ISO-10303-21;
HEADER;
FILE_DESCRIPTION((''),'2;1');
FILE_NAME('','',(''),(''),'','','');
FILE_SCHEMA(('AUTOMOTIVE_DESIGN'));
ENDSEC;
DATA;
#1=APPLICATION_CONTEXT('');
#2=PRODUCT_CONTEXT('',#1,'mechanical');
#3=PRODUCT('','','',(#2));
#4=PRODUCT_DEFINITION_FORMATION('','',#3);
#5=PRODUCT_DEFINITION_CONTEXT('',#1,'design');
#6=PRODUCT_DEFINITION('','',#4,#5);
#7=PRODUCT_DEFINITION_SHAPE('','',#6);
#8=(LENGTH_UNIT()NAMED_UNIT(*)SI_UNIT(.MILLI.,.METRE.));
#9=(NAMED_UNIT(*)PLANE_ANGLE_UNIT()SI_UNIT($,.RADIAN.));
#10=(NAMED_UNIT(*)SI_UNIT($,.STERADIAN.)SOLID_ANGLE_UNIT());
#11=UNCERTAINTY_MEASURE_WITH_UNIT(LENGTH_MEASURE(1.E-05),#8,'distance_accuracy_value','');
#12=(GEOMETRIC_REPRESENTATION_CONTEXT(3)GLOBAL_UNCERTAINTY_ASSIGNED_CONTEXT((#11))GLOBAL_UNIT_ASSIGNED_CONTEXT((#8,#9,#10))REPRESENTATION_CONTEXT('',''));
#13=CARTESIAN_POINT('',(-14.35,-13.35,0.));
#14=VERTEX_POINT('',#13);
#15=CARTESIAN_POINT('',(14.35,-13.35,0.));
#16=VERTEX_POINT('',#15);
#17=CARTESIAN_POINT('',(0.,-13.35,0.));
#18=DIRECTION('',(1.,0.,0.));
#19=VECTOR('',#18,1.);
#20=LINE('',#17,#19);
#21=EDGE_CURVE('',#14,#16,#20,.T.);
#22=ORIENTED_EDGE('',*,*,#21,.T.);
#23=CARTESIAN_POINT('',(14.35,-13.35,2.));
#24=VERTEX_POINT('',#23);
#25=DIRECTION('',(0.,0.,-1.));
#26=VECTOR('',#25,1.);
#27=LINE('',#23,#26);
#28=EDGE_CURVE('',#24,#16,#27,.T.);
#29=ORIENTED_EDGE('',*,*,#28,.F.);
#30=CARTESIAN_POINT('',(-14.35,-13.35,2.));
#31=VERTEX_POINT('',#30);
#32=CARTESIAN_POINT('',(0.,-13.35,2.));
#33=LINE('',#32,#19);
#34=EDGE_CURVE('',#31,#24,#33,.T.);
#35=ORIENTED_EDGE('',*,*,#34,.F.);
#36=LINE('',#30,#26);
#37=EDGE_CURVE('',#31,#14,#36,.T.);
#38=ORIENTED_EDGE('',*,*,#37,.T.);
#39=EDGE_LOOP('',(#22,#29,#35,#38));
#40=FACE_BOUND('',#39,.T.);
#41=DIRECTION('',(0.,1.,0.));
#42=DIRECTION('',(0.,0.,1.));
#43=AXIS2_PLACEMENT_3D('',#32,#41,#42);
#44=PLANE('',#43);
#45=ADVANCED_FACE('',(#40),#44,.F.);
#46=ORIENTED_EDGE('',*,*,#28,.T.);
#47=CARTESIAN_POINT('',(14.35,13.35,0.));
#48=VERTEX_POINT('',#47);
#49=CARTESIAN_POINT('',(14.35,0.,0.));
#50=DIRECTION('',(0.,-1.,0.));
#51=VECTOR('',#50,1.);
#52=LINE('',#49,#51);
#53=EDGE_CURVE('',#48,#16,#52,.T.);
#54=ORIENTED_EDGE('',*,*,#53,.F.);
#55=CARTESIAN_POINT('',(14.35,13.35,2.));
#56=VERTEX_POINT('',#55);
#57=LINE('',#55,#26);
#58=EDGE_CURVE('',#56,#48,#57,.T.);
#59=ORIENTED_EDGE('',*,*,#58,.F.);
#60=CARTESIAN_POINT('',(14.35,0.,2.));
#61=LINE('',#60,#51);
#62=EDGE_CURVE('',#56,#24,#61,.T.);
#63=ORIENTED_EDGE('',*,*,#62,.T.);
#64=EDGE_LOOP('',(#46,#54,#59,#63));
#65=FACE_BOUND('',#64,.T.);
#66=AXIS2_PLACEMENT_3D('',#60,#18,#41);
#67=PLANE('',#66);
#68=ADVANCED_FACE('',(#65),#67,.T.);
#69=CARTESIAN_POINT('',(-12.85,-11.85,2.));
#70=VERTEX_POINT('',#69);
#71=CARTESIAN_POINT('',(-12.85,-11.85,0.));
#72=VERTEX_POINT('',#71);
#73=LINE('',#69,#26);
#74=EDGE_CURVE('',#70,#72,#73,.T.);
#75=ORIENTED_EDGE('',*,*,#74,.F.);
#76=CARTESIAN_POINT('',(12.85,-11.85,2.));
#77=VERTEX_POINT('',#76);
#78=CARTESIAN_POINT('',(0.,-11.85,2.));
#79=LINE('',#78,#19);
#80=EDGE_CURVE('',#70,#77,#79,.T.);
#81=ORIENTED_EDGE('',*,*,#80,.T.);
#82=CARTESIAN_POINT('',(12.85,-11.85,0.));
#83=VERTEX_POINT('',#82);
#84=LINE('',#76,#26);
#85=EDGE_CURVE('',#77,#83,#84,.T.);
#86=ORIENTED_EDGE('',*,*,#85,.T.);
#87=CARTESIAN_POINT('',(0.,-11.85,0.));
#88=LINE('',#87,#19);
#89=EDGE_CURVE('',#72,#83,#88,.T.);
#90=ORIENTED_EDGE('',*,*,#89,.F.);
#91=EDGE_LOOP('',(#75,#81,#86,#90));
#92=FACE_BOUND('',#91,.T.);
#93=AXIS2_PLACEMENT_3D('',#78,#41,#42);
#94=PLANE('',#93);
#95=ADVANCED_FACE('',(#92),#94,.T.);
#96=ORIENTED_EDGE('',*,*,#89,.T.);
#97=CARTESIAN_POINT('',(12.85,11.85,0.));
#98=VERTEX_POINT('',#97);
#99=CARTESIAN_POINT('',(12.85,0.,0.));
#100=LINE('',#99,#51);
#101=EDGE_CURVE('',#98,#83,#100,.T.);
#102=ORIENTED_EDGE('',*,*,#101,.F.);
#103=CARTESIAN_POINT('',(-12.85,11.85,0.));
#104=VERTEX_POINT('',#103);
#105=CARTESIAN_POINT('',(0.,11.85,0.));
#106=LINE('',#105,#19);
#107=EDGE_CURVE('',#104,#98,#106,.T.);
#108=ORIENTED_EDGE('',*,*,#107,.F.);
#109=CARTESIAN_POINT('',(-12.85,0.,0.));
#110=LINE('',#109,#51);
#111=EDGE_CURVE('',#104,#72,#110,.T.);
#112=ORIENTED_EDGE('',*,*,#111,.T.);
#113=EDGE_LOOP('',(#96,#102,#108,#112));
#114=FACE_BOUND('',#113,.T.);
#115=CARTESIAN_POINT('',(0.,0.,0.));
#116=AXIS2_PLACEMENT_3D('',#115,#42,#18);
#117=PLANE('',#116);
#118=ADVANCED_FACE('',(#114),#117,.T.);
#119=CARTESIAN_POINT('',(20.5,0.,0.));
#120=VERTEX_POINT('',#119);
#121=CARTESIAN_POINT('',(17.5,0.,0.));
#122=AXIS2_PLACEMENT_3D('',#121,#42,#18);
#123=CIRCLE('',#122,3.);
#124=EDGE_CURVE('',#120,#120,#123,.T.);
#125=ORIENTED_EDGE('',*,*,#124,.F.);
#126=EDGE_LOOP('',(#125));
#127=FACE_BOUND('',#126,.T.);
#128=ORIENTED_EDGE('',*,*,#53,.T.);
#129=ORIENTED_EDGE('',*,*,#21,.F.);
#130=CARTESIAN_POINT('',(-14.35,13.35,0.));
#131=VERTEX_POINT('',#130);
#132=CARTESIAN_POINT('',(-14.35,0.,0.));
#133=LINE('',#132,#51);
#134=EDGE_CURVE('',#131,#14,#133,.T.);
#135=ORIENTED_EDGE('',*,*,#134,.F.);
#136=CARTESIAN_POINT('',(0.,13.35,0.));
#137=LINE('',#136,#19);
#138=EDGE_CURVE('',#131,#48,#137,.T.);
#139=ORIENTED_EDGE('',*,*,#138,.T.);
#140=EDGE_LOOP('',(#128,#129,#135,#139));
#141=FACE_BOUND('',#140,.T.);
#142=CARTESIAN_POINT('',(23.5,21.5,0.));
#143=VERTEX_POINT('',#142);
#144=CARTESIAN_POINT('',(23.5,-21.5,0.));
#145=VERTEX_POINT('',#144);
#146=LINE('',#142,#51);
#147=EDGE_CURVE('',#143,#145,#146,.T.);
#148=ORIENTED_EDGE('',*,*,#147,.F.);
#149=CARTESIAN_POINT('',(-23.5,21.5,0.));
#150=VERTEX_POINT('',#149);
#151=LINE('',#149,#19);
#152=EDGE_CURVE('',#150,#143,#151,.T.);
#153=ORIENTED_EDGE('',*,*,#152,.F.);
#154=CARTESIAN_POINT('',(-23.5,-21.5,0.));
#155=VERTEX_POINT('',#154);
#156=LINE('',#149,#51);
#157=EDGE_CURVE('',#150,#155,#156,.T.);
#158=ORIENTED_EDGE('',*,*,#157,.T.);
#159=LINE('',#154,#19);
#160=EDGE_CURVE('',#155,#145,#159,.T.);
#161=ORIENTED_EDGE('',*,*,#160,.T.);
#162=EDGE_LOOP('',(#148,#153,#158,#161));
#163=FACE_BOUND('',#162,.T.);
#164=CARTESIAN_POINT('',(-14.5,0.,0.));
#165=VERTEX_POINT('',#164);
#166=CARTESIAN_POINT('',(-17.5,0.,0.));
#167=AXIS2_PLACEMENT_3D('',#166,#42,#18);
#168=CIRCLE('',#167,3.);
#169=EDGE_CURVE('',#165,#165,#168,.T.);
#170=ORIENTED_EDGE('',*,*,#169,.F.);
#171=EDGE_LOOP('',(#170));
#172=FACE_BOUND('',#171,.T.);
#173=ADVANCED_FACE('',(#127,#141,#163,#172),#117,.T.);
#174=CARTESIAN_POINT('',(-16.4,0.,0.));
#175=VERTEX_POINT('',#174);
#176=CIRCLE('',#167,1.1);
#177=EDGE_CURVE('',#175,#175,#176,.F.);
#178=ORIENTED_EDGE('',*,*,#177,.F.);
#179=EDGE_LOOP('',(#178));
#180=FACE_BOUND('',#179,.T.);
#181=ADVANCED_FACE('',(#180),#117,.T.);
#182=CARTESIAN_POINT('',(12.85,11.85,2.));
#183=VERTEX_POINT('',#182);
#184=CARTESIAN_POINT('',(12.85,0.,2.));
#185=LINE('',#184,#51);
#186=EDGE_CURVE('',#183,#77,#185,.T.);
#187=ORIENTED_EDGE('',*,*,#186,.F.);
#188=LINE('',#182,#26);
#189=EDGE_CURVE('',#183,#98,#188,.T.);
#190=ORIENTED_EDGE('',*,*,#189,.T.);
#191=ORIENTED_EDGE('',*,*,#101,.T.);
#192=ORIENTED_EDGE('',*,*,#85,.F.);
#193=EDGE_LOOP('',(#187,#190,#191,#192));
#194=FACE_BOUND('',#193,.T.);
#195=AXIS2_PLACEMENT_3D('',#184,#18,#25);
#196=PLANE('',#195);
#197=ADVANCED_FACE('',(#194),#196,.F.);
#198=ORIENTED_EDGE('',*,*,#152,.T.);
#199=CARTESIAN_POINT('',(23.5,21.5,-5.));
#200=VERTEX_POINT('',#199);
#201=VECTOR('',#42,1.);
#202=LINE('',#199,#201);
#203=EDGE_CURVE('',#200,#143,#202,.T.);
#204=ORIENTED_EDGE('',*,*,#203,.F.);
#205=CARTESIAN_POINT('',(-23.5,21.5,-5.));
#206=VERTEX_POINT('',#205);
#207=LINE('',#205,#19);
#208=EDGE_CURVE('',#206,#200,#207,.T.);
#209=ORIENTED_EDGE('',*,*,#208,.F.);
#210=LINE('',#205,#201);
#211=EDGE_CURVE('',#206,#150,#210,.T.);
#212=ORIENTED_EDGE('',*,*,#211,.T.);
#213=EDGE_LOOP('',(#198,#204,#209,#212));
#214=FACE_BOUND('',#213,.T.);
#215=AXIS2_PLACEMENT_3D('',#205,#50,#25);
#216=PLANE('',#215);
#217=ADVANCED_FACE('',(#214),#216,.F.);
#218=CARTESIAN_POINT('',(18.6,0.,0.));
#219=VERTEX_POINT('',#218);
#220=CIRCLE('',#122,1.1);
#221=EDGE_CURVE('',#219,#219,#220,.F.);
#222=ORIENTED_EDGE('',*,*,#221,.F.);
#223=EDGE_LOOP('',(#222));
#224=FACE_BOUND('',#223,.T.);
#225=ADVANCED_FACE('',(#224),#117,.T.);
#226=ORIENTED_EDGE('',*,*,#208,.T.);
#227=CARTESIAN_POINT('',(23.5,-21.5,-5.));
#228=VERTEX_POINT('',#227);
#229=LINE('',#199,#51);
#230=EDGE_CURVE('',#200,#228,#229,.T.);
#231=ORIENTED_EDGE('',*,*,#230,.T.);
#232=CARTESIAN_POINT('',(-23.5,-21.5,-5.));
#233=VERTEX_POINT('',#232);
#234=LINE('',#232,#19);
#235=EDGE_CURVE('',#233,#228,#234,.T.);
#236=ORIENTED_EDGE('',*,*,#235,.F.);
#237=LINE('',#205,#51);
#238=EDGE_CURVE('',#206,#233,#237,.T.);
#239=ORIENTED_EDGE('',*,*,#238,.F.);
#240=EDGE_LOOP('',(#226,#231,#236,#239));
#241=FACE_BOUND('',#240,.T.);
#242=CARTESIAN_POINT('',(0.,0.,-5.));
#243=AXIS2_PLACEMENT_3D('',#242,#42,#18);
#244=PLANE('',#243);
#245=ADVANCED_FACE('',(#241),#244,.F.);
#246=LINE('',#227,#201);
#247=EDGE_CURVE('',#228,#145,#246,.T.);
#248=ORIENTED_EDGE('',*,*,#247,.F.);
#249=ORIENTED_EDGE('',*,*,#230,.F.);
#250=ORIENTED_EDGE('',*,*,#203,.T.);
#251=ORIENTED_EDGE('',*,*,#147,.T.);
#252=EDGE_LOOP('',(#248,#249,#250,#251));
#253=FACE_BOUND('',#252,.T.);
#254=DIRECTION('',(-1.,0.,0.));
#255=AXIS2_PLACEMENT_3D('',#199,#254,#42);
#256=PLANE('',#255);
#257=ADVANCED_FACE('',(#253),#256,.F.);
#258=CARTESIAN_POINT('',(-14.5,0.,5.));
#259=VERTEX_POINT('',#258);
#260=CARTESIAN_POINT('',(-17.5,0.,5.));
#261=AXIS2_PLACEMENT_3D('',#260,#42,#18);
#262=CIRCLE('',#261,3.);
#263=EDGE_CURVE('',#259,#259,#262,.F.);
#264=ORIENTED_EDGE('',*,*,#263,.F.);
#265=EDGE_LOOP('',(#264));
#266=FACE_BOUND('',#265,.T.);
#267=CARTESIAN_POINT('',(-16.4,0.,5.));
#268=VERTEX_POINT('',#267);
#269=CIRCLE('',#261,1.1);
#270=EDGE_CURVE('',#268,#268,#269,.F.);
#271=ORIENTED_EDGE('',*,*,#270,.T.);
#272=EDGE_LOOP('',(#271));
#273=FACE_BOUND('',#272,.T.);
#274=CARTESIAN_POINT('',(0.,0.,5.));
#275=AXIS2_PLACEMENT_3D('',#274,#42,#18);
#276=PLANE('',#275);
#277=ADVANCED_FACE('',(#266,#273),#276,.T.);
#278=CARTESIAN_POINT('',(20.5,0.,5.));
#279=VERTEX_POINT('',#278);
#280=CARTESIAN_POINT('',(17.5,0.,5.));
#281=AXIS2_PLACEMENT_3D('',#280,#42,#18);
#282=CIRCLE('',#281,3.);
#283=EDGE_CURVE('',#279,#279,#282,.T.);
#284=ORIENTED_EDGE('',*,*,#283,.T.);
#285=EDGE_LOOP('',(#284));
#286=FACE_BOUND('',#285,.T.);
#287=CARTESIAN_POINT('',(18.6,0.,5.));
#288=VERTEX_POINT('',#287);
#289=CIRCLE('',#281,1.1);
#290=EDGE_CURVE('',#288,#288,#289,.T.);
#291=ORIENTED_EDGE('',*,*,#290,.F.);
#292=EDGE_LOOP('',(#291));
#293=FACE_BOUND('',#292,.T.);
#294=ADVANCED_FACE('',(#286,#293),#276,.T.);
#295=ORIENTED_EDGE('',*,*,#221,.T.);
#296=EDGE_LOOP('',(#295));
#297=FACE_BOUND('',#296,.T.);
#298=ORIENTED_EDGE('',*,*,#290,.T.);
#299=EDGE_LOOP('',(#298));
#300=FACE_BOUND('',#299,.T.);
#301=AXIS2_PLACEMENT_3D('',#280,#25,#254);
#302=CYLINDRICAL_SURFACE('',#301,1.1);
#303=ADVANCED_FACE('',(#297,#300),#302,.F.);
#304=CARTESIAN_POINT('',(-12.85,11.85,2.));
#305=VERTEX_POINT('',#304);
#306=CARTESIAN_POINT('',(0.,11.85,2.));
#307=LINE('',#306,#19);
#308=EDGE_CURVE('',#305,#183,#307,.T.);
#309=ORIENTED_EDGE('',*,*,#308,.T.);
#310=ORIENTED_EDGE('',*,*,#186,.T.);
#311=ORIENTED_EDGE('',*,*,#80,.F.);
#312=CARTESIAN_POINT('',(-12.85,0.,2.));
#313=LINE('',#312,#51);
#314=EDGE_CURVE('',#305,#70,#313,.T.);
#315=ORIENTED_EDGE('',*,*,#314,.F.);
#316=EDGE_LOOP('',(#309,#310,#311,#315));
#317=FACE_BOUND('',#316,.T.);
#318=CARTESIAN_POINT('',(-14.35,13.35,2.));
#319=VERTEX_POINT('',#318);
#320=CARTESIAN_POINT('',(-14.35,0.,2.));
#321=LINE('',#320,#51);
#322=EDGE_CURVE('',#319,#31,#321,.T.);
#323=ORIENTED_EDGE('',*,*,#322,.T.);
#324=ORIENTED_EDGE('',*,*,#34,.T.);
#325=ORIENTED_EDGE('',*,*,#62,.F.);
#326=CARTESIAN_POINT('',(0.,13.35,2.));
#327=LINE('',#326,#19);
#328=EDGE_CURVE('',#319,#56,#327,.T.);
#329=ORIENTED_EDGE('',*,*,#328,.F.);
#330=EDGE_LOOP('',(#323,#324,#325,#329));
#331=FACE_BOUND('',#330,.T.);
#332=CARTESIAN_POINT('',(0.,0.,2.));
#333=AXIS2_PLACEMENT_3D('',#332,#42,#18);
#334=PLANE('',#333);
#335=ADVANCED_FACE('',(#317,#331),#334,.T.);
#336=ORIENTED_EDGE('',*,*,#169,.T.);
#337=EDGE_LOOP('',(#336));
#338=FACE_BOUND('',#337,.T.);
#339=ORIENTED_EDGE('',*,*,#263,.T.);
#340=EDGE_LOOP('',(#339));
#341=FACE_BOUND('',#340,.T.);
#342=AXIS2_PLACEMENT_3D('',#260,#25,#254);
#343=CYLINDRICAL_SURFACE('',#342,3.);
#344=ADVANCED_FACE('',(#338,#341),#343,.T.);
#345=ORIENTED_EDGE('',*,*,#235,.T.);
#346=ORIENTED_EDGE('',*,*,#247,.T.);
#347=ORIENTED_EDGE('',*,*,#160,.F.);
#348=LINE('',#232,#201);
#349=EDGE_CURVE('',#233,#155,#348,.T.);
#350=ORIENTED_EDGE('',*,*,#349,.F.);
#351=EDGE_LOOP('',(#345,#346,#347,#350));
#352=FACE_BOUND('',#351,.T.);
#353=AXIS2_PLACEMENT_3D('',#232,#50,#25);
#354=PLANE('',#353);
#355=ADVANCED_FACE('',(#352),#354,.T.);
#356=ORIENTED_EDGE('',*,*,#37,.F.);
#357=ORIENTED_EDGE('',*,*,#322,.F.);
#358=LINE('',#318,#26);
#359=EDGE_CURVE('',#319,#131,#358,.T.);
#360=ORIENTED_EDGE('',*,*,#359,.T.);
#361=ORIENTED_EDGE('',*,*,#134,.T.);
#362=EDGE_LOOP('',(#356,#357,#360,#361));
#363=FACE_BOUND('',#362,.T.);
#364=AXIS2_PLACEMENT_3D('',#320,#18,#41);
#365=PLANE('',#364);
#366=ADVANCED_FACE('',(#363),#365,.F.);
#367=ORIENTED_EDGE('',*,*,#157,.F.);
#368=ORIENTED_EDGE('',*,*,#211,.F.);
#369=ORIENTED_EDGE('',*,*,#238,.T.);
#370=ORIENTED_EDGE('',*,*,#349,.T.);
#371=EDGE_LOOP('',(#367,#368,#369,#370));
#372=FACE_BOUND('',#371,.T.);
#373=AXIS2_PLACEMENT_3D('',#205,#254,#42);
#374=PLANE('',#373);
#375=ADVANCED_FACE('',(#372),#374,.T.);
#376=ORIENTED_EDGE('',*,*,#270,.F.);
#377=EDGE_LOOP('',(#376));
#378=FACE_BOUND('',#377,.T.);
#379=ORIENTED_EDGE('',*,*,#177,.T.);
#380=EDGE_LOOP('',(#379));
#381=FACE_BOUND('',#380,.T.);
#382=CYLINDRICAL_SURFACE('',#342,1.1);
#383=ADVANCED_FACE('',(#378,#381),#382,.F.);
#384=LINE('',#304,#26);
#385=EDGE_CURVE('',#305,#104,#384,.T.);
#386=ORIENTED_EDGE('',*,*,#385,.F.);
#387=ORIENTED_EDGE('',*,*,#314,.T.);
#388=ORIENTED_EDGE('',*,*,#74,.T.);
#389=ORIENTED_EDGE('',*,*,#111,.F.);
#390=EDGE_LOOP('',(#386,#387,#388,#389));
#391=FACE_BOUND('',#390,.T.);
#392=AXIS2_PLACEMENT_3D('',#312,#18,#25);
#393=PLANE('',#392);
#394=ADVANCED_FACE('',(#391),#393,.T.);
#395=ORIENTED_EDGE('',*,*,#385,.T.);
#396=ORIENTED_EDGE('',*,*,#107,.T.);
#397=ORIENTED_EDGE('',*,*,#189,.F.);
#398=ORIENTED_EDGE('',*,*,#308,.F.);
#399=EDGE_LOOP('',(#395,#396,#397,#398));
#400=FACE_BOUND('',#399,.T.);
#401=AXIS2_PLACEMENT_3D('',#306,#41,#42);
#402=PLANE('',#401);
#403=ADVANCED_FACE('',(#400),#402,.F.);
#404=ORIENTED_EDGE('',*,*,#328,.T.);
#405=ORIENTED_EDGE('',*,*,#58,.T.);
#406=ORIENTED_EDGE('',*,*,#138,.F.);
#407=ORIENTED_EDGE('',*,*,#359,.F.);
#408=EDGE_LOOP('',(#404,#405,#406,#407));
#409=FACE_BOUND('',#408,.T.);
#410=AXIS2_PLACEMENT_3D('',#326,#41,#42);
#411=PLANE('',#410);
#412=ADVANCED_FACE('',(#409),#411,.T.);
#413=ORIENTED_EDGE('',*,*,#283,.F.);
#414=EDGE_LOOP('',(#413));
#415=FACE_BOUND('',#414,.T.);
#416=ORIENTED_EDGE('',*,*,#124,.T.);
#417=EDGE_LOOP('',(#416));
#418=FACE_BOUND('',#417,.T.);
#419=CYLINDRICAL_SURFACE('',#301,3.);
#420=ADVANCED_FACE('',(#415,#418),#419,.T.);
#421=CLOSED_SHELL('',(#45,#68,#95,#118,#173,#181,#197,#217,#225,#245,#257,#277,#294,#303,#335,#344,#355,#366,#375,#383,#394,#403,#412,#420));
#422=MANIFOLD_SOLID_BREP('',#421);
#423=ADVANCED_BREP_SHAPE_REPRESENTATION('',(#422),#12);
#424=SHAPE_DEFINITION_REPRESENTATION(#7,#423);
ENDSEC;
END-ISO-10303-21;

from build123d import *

# Parameters (mm, degrees)
SKETCH_1_W        = 28.7
SKETCH_1_H        = 26.7
SKETCH_1_W_2      = 25.7
SKETCH_1_H_2      = 23.7
EXTRUDE_2_DEPTH   = 2
SKETCH_1_7_R      = 3
SKETCH_1_7_R_2    = 1.1
EXTRUDE_5_DEPTH   = 5
EXTRUDE_5_2_DEPTH = 5
SKETCH_1_8_W      = 47
SKETCH_1_8_H      = 43
EXTRUDE_6_DEPTH   = 5


with BuildPart() as part:
    # 草图1 → 凸台-拉伸2 (new body)
    with BuildSketch(Plane.XY):
        Rectangle(SKETCH_1_W, SKETCH_1_H)
        Rectangle(SKETCH_1_W_2, SKETCH_1_H_2, mode=Mode.SUBTRACT)
    extrude(amount=EXTRUDE_2_DEPTH)



with BuildPart() as body_2:
    # 草图1<7> → 凸台-拉伸5 (new body)
    with BuildSketch(Plane.XY):
        with Locations((17.5, 0)):
            Circle(SKETCH_1_7_R)
        with Locations((17.5, 0)):
            Circle(SKETCH_1_7_R_2, mode=Mode.SUBTRACT)
    extrude(amount=EXTRUDE_5_DEPTH)


with BuildPart() as body_3:
    # 草图1<7> → Extrude 5 2 (new body)
    with BuildSketch(Plane.XY):
        with Locations((-17.5, 0)):
            Circle(SKETCH_1_7_R)
        with Locations((-17.5, 0)):
            Circle(SKETCH_1_7_R_2, mode=Mode.SUBTRACT)
    extrude(amount=EXTRUDE_5_2_DEPTH)


with BuildPart() as part_1:
    add(part.part)

    add(body_2.part)  # 凸台-拉伸6 merges body 2

    add(body_3.part)  # 凸台-拉伸6 merges body 3
    # 草图1<8> → 凸台-拉伸6 (add)
    with BuildSketch(Plane.XY):
        Rectangle(SKETCH_1_8_W, SKETCH_1_8_H)
    extrude(amount=-EXTRUDE_6_DEPTH)


solid = part_1.part
